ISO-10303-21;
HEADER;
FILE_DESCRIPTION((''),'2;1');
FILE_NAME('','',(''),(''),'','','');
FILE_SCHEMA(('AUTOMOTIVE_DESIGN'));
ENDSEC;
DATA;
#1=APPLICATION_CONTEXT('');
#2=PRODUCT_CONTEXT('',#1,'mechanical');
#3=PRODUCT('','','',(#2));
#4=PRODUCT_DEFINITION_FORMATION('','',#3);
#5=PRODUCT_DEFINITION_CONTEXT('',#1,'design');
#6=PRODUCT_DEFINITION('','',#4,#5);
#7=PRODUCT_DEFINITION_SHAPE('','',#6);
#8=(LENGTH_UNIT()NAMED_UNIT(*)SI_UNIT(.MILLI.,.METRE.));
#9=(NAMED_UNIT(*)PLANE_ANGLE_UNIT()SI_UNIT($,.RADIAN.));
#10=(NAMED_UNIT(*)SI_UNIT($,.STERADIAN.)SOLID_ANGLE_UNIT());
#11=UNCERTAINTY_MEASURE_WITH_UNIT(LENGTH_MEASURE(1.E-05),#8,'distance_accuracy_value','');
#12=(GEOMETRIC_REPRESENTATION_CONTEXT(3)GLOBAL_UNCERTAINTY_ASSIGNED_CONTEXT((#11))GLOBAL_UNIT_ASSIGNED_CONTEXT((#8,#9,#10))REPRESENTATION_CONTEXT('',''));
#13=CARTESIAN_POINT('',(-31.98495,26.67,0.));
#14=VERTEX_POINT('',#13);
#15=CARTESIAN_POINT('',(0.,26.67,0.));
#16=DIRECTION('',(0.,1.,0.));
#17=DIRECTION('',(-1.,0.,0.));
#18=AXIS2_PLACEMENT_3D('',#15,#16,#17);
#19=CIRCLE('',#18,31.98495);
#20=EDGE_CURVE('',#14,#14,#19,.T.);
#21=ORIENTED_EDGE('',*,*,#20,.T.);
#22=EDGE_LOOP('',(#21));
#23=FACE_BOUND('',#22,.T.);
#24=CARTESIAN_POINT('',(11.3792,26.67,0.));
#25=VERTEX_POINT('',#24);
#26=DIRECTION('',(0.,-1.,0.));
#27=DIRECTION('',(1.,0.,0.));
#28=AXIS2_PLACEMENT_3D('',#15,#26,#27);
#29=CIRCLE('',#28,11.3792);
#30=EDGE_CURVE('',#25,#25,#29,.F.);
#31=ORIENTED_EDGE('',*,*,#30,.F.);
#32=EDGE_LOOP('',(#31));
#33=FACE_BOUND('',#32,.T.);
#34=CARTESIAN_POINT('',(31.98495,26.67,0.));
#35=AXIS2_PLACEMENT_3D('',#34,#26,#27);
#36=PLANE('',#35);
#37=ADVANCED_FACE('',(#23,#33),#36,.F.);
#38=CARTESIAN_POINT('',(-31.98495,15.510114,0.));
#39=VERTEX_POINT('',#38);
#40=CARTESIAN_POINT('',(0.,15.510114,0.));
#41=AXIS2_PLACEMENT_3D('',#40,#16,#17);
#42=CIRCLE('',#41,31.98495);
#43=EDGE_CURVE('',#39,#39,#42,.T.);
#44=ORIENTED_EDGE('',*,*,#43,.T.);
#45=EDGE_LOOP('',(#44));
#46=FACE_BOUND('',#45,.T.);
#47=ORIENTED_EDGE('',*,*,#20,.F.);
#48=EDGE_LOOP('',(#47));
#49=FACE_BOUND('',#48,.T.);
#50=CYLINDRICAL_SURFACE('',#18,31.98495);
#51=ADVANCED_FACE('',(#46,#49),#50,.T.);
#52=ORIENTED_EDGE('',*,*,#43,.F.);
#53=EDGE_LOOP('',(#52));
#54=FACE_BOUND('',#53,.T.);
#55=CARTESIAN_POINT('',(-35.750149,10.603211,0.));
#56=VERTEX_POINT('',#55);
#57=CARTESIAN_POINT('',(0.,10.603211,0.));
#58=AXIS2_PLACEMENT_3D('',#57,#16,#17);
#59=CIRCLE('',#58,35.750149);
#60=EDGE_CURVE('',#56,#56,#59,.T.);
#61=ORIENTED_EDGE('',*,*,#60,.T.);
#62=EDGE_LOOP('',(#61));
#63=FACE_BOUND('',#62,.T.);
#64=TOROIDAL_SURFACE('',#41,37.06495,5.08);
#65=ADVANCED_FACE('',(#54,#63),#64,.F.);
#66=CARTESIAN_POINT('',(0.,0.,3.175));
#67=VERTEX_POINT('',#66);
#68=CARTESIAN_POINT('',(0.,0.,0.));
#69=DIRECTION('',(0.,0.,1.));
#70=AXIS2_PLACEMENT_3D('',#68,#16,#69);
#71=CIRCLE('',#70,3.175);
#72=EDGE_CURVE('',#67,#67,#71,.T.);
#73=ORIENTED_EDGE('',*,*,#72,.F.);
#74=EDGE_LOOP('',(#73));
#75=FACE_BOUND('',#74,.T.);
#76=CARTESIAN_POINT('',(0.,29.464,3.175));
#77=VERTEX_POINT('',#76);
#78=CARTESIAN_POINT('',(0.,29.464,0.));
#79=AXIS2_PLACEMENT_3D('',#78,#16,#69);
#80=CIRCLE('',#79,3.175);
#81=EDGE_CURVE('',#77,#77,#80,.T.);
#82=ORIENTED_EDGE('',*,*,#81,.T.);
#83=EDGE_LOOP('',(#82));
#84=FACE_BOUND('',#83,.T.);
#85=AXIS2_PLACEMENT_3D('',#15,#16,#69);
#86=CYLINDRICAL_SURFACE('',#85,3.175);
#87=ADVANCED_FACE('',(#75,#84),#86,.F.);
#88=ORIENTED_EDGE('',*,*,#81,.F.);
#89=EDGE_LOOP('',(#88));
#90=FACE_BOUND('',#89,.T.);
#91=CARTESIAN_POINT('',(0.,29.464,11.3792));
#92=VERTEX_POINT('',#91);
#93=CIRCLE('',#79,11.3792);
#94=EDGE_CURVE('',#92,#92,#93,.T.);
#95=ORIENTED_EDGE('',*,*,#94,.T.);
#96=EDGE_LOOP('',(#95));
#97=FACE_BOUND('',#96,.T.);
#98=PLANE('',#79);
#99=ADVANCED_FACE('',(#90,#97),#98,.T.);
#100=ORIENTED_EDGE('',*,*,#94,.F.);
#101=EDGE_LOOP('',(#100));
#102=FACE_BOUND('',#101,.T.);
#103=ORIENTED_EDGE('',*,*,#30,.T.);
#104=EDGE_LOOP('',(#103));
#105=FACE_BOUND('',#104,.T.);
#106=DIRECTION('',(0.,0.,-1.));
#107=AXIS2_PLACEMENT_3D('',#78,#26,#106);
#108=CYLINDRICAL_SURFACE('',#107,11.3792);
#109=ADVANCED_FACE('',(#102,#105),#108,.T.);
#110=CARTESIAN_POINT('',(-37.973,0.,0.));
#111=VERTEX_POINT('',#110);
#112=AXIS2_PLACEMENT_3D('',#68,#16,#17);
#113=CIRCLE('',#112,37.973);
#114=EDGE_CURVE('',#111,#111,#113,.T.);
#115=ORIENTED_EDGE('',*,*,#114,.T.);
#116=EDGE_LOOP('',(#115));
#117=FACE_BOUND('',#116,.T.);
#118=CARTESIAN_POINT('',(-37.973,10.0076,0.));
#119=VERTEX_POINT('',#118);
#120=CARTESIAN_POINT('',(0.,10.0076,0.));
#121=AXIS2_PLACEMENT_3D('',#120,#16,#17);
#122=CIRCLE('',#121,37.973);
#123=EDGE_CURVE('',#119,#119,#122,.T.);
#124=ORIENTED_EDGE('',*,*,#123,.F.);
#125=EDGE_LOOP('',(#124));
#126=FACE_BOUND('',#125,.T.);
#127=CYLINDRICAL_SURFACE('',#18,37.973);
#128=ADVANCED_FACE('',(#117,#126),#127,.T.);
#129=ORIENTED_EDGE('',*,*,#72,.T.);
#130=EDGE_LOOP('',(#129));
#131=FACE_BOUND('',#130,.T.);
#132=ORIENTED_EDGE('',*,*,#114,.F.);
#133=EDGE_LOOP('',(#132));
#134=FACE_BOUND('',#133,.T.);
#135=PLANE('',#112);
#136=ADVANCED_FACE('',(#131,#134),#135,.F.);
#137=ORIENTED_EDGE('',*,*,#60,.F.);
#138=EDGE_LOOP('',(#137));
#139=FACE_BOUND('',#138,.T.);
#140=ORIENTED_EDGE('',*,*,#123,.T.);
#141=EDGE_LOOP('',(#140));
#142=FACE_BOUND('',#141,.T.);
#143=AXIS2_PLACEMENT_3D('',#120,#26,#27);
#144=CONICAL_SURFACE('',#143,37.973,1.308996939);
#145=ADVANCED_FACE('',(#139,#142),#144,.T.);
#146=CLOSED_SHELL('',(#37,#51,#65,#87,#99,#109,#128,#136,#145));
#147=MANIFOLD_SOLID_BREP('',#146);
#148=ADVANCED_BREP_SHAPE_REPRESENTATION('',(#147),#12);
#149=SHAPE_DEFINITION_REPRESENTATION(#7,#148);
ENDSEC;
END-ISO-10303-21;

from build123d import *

# Parameters (mm, degrees)
F_1_4_0_25_DIAMETER_HOLE1_D = 6.35
SKETCH3_R                   = 11.3792
SKETCH3_R_2                 = 3.175
BOSS_EXTRUDE1_DEPTH         = 2.794


with BuildPart() as part:
    # Sketch1 → Revolve1 (revolve)
    with BuildSketch(Plane.XY, mode=Mode.PRIVATE) as revolve1_sk:
        with BuildLine():
            Line((0, 0), (37.973, 0))
            Line((37.973, 0), (37.973, 10.0076))
            Line((37.973, 10.0076), (35.750149251, 10.603211063))
            ThreePointArc((35.750149251, 10.603211063), (33.034715031, 12.417606201), (31.98495, 15.510114261))
            Line((31.98495, 15.510114261), (31.98495, 26.67))
            Line((31.98495, 26.67), (0, 26.67))
            Line((0, 26.67), (0, 0))
        make_face()
    revolve(revolve1_sk.sketch.rotate(Axis((0, 26.67, 0), (0, -1, 0)), 180), axis=Axis((0, 26.67, 0), (0, -1, 0)))

    # 1/4 (0.25) Diameter Hole1 (through all)
    with Locations(Plane(origin=(0, 26.67, 0), x_dir=(1, 0, 0), z_dir=(0, 1, 0))):
        with Locations((0, 0)):
            Hole(F_1_4_0_25_DIAMETER_HOLE1_D / 2)

    # Sketch3 → Boss-Extrude1 (add)
    with BuildSketch(Plane(origin=(0, 26.67, 0), x_dir=(1, 0, 0), z_dir=(0, 1, 0))):
        Circle(SKETCH3_R)
        with Locations(Location((0, 0, 0), (0, 0, 270))):
            Circle(SKETCH3_R_2, mode=Mode.SUBTRACT)
    extrude(amount=BOSS_EXTRUDE1_DEPTH)


solid = part.part
